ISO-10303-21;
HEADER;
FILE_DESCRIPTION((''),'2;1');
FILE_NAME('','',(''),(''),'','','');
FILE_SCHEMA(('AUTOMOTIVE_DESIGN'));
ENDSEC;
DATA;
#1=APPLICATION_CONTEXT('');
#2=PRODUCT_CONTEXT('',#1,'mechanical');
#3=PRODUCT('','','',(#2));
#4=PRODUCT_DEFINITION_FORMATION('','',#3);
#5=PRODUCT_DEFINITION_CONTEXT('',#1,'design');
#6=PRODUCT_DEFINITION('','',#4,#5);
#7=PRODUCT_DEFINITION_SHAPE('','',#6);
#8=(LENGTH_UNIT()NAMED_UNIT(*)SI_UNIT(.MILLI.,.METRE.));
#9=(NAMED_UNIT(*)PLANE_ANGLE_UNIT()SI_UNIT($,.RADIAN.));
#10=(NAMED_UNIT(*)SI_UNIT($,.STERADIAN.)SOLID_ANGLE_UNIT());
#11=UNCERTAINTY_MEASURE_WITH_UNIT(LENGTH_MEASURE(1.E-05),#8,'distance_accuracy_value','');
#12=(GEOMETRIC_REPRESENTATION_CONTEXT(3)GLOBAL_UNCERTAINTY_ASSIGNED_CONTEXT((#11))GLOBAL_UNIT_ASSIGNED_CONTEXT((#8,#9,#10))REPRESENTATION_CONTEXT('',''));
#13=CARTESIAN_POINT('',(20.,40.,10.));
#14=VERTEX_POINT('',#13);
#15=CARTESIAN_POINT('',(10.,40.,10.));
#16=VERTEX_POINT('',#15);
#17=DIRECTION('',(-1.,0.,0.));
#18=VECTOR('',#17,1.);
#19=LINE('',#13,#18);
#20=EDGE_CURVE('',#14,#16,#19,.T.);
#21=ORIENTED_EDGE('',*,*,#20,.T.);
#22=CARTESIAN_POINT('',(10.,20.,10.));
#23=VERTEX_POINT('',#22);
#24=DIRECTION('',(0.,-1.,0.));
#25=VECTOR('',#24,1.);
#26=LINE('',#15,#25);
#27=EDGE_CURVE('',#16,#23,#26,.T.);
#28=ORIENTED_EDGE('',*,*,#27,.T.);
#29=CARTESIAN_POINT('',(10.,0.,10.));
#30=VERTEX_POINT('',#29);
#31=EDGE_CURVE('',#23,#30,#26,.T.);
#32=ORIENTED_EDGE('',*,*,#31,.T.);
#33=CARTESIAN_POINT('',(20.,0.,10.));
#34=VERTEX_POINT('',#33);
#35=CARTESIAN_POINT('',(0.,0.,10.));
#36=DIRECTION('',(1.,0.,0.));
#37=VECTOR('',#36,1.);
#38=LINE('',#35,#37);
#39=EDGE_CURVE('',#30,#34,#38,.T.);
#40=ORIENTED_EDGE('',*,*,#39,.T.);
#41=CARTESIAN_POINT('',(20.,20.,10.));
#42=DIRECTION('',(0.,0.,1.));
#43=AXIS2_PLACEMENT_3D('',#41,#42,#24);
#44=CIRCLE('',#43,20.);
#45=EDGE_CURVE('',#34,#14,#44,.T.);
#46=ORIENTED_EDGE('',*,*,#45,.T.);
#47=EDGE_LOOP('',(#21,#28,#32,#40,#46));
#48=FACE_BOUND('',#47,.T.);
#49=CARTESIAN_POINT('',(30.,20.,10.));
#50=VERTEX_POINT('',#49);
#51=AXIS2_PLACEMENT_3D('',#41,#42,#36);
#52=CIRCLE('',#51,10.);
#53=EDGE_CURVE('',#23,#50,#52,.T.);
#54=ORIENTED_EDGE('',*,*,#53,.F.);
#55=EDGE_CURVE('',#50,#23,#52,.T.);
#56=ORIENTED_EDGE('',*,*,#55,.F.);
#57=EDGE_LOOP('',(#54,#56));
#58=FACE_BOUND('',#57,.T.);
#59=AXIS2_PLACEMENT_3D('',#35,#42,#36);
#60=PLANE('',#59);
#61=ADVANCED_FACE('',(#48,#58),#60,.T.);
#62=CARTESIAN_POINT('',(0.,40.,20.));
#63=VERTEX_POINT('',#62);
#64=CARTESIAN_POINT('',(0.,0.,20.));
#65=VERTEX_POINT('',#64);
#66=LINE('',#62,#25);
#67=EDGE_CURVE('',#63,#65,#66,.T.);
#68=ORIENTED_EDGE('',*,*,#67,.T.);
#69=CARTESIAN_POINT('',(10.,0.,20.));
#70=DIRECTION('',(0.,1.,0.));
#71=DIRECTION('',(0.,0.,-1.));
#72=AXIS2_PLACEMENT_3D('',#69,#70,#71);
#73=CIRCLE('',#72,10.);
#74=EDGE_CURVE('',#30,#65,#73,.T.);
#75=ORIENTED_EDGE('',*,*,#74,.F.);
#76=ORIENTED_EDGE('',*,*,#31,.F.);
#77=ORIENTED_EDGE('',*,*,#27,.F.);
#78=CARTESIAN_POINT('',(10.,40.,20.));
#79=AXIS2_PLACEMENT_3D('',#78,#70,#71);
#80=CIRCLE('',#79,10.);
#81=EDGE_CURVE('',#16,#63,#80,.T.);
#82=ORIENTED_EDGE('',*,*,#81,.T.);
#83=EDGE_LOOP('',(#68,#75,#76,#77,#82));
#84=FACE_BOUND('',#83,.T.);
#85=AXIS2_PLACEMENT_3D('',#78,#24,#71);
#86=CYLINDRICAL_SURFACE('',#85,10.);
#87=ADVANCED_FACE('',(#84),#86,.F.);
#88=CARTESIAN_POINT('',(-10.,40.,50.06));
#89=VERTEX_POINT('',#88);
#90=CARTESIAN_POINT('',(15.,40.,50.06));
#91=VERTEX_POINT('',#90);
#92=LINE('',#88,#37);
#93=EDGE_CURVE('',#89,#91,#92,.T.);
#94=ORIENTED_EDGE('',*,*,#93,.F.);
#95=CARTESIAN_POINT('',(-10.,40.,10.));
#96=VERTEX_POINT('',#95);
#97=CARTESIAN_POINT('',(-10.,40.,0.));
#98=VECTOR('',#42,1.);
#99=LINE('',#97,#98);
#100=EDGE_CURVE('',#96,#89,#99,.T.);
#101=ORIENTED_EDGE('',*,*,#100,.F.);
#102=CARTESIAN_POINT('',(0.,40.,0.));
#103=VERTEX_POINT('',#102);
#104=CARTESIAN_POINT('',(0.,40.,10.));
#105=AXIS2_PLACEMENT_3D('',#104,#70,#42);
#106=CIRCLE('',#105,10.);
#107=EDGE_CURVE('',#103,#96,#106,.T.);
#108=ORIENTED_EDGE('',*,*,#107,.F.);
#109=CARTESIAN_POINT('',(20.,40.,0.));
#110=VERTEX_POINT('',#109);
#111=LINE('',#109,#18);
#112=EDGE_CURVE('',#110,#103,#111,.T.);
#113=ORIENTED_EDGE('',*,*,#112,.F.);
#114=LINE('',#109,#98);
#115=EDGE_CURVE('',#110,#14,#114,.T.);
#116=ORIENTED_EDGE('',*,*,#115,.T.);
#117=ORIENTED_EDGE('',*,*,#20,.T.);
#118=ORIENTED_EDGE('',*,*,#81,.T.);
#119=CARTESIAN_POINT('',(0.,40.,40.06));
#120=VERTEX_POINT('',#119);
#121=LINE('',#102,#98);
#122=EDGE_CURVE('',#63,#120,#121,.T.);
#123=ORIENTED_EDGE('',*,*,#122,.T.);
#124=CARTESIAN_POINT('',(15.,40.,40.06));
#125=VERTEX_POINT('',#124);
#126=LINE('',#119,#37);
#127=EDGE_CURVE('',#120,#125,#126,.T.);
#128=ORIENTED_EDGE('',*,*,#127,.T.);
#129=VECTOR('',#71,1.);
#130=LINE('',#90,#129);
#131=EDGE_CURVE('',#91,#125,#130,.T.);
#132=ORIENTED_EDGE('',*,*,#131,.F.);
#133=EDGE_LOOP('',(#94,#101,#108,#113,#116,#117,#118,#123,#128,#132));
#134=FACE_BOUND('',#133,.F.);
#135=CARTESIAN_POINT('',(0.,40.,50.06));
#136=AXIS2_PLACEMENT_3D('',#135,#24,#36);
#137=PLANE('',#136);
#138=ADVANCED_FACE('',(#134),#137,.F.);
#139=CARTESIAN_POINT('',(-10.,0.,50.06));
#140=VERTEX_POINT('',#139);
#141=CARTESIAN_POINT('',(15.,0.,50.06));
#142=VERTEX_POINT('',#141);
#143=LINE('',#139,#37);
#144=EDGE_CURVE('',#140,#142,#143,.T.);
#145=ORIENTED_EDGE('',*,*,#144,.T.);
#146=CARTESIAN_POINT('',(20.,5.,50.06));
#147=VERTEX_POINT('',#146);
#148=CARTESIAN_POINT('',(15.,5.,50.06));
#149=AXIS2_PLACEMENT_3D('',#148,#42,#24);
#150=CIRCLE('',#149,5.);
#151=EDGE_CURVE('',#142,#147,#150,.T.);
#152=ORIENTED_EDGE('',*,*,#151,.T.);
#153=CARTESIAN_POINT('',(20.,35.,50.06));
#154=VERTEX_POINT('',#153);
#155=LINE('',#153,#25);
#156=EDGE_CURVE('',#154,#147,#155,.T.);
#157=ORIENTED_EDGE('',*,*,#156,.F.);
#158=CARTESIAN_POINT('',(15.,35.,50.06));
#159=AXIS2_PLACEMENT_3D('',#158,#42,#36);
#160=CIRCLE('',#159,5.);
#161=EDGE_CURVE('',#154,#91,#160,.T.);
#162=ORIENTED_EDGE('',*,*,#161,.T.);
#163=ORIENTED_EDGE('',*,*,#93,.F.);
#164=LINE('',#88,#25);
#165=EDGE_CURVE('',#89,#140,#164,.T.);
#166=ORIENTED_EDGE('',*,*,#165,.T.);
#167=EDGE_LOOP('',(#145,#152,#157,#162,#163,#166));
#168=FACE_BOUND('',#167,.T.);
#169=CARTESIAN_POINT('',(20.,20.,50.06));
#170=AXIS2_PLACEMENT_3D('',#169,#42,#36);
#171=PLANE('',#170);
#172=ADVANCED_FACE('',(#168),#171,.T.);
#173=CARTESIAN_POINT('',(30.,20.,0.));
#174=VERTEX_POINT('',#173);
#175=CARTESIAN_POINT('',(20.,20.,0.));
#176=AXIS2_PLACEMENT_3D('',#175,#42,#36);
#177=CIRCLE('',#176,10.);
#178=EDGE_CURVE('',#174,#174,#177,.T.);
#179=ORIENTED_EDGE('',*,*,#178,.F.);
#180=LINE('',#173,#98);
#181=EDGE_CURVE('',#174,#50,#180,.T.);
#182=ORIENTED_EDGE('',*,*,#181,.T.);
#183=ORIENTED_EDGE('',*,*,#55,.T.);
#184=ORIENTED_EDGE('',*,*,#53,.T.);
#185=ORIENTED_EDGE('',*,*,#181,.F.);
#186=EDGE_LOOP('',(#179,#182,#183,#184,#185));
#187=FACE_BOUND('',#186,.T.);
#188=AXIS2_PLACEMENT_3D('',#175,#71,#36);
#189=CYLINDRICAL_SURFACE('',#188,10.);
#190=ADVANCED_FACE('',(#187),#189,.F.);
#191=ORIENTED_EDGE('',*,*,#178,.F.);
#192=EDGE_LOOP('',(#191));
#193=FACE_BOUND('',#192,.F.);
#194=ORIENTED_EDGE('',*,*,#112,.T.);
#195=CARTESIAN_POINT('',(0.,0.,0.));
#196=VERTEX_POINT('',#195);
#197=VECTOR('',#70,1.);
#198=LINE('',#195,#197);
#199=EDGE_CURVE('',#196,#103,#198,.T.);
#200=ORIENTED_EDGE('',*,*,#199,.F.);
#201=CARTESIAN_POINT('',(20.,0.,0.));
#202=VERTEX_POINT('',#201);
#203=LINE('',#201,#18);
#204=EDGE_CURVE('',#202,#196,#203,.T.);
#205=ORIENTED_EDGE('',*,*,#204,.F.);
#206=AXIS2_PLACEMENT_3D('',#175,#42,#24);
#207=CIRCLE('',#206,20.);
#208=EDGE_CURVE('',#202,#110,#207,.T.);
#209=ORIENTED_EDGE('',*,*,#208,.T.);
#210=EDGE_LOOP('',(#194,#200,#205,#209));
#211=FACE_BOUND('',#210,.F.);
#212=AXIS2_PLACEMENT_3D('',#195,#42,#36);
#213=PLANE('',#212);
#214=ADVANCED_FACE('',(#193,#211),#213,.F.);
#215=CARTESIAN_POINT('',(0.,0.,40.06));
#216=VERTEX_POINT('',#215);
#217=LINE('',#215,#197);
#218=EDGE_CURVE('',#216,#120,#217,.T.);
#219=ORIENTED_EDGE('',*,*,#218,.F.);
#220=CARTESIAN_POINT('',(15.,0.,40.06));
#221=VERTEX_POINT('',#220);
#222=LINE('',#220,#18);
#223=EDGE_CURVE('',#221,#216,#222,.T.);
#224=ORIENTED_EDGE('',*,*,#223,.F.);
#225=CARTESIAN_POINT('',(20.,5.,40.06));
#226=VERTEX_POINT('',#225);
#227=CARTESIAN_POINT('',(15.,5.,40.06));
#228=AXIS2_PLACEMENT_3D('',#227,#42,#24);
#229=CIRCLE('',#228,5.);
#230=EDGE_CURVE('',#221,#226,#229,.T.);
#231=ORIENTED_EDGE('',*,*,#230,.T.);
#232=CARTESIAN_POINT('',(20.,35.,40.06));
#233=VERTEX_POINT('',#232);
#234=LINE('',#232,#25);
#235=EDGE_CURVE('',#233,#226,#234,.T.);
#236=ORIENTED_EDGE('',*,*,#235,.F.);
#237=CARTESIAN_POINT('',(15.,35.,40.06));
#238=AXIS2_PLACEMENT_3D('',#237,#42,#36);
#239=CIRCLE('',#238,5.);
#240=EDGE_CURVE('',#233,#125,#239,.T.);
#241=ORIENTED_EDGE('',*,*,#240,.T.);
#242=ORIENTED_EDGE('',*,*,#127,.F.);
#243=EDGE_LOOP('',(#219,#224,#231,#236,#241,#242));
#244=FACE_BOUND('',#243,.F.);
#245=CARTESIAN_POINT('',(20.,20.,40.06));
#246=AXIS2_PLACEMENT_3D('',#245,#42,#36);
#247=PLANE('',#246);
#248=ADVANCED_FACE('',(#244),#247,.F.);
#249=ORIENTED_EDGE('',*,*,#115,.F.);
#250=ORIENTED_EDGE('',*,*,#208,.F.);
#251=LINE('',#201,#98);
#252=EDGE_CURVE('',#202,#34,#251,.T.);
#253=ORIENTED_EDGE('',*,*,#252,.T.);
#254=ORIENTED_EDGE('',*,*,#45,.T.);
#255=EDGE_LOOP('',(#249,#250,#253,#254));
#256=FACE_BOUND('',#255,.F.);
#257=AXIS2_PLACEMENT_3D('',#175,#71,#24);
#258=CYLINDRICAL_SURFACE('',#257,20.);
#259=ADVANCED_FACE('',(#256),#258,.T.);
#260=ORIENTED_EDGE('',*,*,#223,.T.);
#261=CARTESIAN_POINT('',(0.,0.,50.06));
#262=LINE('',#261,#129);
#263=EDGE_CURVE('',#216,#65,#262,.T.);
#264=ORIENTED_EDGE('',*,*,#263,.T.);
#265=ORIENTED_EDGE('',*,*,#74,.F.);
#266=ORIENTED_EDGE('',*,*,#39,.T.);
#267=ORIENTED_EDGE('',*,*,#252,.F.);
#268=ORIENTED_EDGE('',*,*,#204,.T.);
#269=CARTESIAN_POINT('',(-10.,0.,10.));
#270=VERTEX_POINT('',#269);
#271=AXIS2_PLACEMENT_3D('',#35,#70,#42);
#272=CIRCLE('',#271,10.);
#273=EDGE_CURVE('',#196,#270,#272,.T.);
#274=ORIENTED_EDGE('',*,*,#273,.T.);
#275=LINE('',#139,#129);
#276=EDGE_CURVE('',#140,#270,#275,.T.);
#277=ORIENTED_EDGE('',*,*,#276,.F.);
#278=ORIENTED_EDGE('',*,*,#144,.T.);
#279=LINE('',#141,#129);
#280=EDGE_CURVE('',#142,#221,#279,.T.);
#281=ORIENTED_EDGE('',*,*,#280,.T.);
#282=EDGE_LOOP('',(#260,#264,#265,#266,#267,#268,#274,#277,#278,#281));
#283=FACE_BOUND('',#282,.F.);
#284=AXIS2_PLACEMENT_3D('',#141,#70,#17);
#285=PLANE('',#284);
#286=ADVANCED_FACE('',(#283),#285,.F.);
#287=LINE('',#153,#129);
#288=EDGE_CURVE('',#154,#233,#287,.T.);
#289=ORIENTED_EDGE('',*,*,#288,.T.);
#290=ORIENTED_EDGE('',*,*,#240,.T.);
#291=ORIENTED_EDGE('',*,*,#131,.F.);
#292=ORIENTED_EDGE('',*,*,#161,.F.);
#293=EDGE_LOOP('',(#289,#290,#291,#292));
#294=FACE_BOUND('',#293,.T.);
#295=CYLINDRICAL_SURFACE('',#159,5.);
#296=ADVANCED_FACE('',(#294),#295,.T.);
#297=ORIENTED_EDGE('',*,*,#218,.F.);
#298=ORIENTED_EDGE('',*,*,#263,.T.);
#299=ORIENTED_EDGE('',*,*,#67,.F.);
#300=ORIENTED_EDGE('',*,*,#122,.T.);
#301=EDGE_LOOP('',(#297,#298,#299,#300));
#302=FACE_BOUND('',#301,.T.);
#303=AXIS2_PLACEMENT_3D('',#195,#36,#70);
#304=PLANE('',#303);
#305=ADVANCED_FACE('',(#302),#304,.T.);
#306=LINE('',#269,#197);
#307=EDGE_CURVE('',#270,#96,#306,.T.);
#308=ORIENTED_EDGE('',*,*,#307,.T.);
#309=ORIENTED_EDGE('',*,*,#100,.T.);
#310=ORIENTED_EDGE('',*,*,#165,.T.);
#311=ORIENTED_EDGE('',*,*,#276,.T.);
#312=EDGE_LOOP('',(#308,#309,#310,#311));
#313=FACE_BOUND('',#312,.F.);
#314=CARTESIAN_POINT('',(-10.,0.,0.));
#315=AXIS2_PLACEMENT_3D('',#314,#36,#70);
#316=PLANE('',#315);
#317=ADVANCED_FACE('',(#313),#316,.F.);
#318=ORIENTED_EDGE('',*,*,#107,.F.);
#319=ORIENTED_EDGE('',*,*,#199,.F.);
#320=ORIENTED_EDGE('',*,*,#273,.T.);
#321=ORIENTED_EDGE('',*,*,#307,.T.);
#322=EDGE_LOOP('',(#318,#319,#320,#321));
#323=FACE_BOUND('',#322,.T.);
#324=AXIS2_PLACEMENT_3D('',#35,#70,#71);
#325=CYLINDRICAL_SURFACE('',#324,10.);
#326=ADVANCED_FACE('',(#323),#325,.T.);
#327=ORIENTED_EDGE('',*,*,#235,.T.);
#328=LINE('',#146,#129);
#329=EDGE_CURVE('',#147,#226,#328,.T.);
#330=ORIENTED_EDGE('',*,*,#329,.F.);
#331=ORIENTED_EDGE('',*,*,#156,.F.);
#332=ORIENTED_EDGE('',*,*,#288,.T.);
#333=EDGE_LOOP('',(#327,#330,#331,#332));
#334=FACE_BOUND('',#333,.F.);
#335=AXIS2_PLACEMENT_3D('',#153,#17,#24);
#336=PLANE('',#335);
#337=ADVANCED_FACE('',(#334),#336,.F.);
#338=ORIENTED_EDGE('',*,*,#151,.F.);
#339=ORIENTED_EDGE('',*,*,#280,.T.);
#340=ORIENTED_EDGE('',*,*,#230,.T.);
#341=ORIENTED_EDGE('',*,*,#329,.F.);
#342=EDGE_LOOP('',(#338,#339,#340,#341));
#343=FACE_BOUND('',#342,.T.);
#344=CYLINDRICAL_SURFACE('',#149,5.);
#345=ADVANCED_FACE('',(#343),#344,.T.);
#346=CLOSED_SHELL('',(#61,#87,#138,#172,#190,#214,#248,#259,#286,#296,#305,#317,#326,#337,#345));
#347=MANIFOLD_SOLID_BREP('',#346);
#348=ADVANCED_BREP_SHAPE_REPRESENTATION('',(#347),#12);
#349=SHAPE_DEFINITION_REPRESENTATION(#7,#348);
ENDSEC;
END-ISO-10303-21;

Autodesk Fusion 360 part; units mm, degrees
sketch "Sketch1" plane through (0, 0, 0) normal (0, 0, 1) x (1, 0, 0)
  line L0 (0, 0) -> (20, 0)
  line L1 (20, 40) -> (0, 40)
  line L2 (0, 40) -> (0, 0)
  circle A0 centre (20, 20) radius 10
  arc A1 (20, 0) -> (20, 40) centre (20, 20) ccw
  dimension "d1" = 20
  dimension "d2" = 40
  dimension "d3" = 20
  dimension "d10" = 20
sketch "Sketch2" plane through (0, 0, 0) normal (1, 0, 0) x (0, 1, 0)
  line L0 (0, 0) -> (40, 0)
  line L1 (40, 0) -> (40, 50.06)
  line L2 (40, 50.06) -> (0, 50.06)
  line L3 (0, 50.06) -> (0, 0)
  dimension "d4" = 40
  dimension "d5" = 50.06
ref_plane "WorkPlane1" through (20, 20, 50.06) normal (0, 0, 1) x (1, 0, 0)
sketch "Sketch3" plane through (20, 20, 50.06) normal (0, 0, 1) x (1, 0, 0)
  line L0 (-20, 20) -> (-5, 20)
  line L1 (0, 15) -> (0, -15)
  line L2 (-5, -20) -> (-20, -20)
  line L3 (-20, -20) -> (-20, 20)
  arc A0 (-5, -20) -> (0, -15) centre (-5, -15) ccw
  arc A1 (0, 15) -> (-5, 20) centre (-5, 15) ccw
  point P0 (0, 20)
  dimension "d7" = 20
  dimension "d8" = 40
  dimension "d9" = 5
extrude "Extrude1" add sketch "Sketch1" along normal blind 10
extrude "Extrude2" add sketch "Sketch2" against normal blind 10
extrude "Extrude3" add sketch "Sketch3" against normal blind 10
fillet "Fillet1" radius 10 1 edges at (0, 20, 10)
fillet "Fillet2" radius 10 1 edges at (-10, 20, 0)
